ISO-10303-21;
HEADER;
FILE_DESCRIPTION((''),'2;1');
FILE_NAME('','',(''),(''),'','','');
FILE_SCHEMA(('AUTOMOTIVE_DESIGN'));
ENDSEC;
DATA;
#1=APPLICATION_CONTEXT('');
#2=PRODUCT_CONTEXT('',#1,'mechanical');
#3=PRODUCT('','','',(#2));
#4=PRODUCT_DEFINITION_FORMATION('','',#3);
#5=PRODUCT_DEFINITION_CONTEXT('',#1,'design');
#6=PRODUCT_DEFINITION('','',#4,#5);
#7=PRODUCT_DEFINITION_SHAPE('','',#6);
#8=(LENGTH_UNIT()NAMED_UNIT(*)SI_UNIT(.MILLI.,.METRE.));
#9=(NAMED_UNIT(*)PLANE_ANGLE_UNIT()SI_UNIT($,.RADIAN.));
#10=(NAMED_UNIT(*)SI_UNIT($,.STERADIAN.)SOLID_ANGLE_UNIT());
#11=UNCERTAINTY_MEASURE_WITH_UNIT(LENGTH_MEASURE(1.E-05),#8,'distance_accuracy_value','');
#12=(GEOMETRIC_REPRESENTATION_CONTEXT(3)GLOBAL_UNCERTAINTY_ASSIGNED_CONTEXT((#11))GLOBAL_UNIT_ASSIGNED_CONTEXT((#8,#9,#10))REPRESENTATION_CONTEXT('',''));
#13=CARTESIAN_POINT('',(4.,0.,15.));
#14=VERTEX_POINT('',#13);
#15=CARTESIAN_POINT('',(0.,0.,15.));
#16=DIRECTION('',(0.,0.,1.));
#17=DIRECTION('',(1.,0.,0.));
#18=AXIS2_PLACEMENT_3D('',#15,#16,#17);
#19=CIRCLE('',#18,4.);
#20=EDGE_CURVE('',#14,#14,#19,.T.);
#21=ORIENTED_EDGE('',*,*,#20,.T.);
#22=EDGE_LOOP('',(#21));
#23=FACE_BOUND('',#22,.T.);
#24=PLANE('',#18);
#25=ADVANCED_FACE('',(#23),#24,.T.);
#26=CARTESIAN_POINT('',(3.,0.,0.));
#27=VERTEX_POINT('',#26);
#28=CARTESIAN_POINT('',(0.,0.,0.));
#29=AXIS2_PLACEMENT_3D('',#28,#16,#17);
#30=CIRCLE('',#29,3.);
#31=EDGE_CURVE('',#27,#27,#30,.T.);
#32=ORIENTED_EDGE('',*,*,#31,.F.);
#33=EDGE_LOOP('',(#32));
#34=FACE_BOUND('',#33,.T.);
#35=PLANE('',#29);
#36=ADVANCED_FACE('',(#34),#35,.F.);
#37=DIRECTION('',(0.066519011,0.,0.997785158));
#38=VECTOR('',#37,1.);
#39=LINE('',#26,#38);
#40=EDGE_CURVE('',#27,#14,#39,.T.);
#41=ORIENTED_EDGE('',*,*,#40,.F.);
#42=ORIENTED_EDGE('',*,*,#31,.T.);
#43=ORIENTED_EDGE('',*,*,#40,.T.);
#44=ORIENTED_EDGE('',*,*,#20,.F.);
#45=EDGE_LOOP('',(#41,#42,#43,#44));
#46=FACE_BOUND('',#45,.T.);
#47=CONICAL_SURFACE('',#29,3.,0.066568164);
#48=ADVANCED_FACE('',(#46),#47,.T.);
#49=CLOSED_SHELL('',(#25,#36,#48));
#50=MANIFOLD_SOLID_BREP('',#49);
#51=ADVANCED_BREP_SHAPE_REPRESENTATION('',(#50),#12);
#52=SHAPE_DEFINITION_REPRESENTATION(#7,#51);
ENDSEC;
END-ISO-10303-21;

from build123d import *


with BuildPart() as part:
    # Cone → Cone (revolve)
    with BuildSketch(Plane.XZ):
        Polygon((0, 0), (3, 0), (4, 15), (0, 15), align=None)
    revolve(axis=Axis((0, 0, 0), (0, 0, 1)))


solid = part.part
